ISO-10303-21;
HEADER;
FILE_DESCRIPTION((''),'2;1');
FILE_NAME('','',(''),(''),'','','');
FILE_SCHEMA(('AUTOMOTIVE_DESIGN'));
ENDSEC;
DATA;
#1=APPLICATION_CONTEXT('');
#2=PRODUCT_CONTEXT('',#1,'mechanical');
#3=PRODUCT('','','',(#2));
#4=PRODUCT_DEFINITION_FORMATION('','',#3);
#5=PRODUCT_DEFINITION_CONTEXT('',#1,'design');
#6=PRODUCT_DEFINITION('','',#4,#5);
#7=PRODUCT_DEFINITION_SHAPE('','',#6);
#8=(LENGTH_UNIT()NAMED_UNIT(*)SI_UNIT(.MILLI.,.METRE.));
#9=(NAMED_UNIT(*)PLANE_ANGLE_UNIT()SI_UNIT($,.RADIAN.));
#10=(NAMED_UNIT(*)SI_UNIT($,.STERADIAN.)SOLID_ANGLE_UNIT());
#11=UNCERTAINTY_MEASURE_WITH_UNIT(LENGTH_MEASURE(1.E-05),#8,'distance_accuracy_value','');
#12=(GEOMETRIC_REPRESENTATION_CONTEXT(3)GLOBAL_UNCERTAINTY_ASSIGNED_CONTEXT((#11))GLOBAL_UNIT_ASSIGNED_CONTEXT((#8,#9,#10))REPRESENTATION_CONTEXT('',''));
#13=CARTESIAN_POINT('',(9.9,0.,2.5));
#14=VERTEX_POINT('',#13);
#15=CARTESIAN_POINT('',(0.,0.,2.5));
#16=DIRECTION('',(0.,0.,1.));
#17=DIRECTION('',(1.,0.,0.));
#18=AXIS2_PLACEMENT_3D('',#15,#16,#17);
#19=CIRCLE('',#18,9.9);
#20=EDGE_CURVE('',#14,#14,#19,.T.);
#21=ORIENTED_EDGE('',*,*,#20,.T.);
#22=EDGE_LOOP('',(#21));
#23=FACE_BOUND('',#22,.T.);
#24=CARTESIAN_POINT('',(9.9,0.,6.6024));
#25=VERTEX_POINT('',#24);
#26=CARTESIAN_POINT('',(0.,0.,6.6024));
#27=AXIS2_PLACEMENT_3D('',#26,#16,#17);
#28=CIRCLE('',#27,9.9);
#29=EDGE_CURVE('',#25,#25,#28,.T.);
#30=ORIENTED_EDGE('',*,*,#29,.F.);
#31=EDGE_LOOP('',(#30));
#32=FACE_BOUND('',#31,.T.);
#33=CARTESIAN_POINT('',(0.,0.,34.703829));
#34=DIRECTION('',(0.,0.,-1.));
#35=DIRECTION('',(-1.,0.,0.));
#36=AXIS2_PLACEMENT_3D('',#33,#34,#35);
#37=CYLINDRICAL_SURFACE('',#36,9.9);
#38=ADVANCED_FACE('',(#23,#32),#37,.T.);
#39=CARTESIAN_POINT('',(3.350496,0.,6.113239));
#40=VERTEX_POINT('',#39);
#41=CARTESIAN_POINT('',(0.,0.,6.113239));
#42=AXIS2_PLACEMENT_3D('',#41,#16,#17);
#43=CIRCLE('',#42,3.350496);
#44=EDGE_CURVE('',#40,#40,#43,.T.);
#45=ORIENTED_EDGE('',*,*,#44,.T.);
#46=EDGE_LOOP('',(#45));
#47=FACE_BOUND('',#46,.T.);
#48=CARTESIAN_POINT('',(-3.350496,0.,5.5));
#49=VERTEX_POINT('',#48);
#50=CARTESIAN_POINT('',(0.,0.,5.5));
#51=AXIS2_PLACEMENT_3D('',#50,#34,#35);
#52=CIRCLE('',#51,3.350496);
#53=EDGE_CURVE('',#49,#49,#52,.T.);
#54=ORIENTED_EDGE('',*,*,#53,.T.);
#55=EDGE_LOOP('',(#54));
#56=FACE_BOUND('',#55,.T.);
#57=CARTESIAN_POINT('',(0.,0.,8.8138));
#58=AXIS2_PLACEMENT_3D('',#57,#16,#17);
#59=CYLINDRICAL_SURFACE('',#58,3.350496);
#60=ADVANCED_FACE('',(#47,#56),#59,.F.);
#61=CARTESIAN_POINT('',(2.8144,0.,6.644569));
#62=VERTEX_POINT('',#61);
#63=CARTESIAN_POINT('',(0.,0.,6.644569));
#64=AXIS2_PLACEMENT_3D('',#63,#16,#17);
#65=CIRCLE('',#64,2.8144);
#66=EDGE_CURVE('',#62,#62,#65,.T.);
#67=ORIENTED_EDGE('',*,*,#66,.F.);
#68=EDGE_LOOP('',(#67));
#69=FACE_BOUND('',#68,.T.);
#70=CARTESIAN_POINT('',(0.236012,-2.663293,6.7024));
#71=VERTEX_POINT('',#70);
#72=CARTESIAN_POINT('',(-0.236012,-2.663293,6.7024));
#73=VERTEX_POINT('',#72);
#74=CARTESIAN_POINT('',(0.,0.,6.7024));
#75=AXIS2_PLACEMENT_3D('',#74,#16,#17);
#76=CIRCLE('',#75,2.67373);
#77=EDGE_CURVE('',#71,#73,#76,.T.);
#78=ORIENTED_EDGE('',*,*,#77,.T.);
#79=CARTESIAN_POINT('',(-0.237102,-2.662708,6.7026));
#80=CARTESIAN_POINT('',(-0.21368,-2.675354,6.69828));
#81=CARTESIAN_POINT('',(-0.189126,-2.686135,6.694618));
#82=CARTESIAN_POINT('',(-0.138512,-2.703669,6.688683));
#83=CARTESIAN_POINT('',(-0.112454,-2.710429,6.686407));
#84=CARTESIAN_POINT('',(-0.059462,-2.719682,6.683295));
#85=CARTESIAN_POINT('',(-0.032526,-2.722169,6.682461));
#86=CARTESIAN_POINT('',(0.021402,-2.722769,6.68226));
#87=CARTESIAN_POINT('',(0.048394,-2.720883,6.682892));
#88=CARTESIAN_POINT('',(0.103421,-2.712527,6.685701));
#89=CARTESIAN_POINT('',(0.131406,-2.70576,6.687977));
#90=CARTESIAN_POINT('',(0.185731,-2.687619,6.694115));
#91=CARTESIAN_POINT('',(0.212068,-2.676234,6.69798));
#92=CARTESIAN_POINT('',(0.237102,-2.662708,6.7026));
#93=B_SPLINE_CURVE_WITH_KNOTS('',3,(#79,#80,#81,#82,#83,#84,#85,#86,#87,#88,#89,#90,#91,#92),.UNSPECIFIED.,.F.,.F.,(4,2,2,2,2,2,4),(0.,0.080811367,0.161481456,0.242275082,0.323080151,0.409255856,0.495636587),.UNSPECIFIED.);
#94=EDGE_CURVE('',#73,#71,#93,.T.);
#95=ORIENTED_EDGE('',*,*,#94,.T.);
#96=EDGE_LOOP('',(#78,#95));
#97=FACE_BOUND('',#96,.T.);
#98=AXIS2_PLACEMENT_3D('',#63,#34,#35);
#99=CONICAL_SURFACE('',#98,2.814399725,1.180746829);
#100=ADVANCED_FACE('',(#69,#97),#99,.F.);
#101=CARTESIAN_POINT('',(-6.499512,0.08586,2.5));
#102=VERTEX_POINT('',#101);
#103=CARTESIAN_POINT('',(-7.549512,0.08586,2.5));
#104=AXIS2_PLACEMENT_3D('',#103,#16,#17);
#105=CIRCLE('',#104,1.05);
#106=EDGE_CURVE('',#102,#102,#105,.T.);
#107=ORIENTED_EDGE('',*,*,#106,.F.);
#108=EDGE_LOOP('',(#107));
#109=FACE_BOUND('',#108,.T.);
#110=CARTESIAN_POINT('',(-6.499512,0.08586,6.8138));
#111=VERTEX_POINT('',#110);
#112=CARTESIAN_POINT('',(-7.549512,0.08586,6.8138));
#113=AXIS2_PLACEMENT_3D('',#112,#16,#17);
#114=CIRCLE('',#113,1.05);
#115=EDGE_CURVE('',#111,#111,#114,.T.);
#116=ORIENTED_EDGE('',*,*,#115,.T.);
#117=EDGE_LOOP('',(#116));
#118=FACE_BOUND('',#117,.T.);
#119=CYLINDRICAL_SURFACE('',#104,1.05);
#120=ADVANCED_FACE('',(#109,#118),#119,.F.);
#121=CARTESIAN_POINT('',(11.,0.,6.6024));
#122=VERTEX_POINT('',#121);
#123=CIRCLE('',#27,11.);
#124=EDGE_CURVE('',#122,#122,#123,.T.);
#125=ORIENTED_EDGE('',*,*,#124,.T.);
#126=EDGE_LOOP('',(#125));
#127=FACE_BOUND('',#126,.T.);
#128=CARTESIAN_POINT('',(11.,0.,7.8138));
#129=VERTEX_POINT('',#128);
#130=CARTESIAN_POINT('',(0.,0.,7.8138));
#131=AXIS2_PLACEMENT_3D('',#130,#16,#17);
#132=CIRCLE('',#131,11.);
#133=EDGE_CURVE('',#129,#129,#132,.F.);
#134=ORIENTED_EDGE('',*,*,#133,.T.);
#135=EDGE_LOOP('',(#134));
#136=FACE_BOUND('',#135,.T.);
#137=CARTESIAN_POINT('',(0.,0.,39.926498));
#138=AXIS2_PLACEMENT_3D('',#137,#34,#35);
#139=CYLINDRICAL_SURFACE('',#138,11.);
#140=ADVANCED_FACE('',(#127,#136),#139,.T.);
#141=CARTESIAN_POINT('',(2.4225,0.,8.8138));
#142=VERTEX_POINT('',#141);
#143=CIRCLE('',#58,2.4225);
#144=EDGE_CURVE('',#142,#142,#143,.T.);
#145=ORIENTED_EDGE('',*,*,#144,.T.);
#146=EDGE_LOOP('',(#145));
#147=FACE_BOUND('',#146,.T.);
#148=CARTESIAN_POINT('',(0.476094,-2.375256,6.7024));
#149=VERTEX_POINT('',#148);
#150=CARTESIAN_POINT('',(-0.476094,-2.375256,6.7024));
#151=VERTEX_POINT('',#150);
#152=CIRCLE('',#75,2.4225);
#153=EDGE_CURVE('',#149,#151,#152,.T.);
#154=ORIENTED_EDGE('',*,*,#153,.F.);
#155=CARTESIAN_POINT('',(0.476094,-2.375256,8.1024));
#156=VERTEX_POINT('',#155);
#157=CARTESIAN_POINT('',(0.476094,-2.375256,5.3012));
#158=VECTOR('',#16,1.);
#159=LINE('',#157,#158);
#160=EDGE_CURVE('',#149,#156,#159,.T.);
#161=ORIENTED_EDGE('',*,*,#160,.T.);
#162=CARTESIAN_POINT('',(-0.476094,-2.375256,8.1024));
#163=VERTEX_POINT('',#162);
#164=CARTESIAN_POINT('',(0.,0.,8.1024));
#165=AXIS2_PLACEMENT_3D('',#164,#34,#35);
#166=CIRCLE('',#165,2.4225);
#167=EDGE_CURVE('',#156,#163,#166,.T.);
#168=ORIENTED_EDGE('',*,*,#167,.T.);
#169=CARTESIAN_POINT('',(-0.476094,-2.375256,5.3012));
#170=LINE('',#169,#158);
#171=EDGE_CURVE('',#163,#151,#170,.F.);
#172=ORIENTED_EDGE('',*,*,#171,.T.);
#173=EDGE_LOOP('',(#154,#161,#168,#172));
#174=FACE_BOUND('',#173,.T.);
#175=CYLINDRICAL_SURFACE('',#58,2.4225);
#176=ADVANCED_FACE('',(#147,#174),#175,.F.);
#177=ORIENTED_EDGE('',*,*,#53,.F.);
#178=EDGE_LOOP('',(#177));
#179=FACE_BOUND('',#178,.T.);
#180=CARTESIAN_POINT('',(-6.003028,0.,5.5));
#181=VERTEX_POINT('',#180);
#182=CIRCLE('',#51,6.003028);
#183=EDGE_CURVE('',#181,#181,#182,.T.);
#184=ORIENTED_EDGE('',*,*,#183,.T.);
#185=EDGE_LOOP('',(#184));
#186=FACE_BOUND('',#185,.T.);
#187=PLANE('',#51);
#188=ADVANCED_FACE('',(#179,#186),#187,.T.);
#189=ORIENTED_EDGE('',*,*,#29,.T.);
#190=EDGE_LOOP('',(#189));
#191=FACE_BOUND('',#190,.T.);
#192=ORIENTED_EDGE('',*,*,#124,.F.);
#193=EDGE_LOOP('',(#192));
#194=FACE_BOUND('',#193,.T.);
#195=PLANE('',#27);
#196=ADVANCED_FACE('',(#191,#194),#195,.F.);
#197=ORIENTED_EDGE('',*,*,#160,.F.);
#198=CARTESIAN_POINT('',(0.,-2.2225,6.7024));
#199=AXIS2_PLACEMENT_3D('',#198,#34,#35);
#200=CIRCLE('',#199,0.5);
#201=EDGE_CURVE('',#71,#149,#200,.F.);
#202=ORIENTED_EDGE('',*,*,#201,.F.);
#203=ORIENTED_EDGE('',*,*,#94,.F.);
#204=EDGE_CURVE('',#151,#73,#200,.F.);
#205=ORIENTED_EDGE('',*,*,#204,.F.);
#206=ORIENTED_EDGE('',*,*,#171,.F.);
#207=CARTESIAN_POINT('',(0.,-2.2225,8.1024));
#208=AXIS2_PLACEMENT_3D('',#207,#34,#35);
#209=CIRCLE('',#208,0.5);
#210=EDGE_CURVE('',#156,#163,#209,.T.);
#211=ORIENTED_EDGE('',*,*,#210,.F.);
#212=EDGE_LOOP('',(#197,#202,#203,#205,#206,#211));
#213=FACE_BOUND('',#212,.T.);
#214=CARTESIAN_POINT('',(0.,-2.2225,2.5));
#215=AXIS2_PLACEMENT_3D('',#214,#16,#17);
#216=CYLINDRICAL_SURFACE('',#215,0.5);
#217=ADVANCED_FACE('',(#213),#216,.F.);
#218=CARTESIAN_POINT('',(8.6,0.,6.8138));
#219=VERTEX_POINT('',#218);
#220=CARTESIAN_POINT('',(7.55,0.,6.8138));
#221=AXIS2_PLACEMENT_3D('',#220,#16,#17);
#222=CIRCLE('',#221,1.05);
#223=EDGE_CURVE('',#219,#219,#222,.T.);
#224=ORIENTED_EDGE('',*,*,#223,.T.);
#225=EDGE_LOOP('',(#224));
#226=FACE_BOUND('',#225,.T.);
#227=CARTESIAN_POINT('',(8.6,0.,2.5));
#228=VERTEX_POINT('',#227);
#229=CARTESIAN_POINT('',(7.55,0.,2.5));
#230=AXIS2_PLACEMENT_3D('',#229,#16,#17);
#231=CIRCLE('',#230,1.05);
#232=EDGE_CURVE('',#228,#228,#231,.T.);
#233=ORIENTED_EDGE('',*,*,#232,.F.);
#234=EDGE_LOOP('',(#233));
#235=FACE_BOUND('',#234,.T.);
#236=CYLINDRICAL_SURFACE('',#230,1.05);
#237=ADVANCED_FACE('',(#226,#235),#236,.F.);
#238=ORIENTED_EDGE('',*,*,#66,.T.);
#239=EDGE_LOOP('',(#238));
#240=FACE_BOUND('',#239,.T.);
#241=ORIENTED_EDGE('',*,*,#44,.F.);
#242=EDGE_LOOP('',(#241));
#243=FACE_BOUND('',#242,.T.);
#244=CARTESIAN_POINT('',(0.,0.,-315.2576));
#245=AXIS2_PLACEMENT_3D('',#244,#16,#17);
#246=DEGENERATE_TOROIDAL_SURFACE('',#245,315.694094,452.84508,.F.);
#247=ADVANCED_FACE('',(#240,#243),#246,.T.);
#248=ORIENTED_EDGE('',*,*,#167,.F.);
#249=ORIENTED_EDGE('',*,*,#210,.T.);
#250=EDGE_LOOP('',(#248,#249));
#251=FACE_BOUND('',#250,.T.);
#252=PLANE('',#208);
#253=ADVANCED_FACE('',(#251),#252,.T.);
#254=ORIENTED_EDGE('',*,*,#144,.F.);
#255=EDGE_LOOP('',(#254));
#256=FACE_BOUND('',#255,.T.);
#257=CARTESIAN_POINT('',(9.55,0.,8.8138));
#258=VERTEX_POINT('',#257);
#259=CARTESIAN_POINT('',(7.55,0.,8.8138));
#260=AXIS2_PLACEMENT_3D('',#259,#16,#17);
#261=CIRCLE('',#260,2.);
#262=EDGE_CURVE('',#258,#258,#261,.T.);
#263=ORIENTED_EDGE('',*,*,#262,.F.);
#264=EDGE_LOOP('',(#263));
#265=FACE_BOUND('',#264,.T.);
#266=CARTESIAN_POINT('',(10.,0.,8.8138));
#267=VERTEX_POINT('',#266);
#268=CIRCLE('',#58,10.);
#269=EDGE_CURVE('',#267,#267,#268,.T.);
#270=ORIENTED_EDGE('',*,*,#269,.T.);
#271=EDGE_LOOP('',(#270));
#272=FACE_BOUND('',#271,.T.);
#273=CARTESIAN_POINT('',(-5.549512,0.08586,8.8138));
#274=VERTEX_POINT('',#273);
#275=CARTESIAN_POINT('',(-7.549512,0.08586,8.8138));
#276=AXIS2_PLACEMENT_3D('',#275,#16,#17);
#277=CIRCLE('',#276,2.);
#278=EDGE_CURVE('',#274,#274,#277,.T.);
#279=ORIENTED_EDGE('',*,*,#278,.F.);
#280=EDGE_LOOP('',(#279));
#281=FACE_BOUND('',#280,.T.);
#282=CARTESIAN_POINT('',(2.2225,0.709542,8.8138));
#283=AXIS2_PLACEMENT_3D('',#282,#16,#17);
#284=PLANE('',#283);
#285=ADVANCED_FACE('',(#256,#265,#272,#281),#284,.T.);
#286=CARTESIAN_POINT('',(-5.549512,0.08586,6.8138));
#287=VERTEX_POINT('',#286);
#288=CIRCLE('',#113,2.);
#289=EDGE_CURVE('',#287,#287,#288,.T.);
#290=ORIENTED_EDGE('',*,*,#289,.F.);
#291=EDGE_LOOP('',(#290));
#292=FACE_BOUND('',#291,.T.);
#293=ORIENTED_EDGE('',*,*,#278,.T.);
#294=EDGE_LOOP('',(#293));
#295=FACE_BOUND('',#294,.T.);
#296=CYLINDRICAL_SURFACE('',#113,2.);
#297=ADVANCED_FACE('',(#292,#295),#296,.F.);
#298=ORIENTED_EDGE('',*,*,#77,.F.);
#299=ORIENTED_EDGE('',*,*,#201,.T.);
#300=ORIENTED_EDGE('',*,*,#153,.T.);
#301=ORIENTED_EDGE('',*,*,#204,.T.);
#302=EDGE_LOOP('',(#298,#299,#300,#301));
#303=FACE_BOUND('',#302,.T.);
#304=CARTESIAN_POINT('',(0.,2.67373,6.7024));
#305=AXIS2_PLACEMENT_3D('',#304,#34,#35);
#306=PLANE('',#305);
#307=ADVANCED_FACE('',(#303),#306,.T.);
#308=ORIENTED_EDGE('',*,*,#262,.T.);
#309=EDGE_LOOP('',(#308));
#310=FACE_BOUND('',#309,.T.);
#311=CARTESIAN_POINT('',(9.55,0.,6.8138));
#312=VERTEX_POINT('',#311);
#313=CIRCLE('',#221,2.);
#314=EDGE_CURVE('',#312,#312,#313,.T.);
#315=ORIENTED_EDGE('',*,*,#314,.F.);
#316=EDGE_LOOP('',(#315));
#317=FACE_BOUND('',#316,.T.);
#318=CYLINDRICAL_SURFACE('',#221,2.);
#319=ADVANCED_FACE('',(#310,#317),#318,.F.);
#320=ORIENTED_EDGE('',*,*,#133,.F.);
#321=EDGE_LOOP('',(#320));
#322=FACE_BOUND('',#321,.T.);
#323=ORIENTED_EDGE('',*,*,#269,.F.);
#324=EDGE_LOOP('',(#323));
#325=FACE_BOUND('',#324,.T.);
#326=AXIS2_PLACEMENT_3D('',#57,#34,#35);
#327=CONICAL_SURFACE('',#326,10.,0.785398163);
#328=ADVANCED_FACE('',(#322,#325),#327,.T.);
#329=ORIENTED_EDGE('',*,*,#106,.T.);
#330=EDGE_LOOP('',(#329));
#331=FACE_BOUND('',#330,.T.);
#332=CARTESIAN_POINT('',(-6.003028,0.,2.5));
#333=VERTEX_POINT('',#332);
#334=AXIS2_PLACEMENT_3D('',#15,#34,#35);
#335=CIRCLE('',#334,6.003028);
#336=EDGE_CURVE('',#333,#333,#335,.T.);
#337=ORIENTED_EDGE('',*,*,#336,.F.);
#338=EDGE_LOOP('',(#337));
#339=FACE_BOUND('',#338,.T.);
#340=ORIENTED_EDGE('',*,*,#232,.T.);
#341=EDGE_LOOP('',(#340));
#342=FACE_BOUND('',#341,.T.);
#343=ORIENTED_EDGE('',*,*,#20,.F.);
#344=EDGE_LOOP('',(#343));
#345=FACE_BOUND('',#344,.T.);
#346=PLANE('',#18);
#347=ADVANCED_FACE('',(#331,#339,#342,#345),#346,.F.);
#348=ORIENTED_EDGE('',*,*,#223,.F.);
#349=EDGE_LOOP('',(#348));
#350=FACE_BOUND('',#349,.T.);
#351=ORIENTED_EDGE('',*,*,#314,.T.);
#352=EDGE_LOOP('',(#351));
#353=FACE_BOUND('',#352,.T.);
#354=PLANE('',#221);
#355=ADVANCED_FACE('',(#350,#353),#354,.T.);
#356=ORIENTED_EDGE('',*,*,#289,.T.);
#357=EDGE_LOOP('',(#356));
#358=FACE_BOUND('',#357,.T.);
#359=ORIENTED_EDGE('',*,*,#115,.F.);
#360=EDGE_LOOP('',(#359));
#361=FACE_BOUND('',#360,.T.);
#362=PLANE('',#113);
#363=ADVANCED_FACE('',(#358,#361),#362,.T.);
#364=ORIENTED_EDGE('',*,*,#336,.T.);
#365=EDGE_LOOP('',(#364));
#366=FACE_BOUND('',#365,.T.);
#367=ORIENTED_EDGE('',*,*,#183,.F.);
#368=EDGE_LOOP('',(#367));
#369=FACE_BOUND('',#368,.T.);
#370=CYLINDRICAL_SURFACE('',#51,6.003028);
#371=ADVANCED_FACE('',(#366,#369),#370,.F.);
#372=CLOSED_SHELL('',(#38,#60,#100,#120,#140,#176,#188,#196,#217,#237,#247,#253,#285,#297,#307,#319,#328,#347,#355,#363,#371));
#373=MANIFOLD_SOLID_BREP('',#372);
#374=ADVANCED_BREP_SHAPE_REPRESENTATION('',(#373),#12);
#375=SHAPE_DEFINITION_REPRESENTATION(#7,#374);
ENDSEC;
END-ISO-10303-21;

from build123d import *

# Parameters (mm, degrees)
SKETCH1_R               = 9.9
BOSS_EXTRUDE1_DEPTH     = 4.1024
SKETCH3_R               = 11
BOSS_EXTRUDE2_DEPTH     = 2.2114
CUT_EXTRUDE1_DEPTH      = 17.088184663
CUT_EXTRUDE1_DEPTH_BACK = 1.5
SKETCH6_R               = 0.5
CHAMFER1_SIZE           = 1
SKETCH7_R               = 2
CUT_EXTRUDE2_DEPTH      = 2
SKETCH8_R               = 1.05
CUT_EXTRUDE3_DEPTH      = 17.143384727
SKETCH9_R               = 6.003028119
CUT_EXTRUDE4_DEPTH      = 3


with BuildPart() as part:
    # Sketch1 → Boss-Extrude1 (new body)
    with BuildSketch(Plane.XY.offset(2.5)):
        with Locations(Location((0, 0, 0), (0, 0, 180))):
            Circle(SKETCH1_R)
    extrude(amount=BOSS_EXTRUDE1_DEPTH)

    # Sketch3 → Boss-Extrude2 (add)
    with BuildSketch(Plane.XY.offset(6.6024)):
        Circle(SKETCH3_R)
    extrude(amount=BOSS_EXTRUDE2_DEPTH)

    # Sketch4 → Cut-Revolve2 (revolve, cut)
    with BuildSketch(Plane(origin=(0, 0, 0), x_dir=(0, 0, -1), z_dir=(1, 0, 0)), mode=Mode.PRIVATE) as cut_revolve2_sk:
        with BuildLine():
            Line((-6.113239385, 3.350496042), (0, 3.350496042))
            Line((0, 3.350496042), (0, 0))
            Line((0, 0), (-8.8138, 0))
            Line((-8.8138, 0), (-8.8138, 2.4225))
            Line((-8.8138, 2.4225), (-6.7024, 2.4225))
            Line((-6.7024, 2.4225), (-6.7024, 2.673729766))
            Line((-6.7024, 2.673729766), (-6.644568783, 2.814399725))
            ThreePointArc((-6.644568783, 2.814399725), (-6.379015778, 3.082558584), (-6.113239385, 3.350496042))
        make_face()
    revolve(cut_revolve2_sk.sketch.rotate(Axis((0, 0, 8.8138), (0, 0, -1)), 90), axis=Axis((0, 0, 8.8138), (0, 0, -1)), mode=Mode.SUBTRACT)

    # Sketch6 → Cut-Extrude1 (cut, two sides: drawn at the far end of the back side and taken through both)
    with BuildSketch(Plane(origin=(0, 0, 6.6024), x_dir=(-1, 0, 0), z_dir=(0, 0, -1)).offset(-CUT_EXTRUDE1_DEPTH_BACK)):
        with Locations((1.2e-08, -2.2225)):
            Circle(SKETCH6_R)
    extrude(amount=CUT_EXTRUDE1_DEPTH + CUT_EXTRUDE1_DEPTH_BACK, mode=Mode.SUBTRACT)

    # Chamfer1
    chamfer1_edges = [part.edges().sort_by_distance(p)[0] for p in [
        (-11, 0, 8.8138),
    ]]
    chamfer(chamfer1_edges, length=CHAMFER1_SIZE)

    # Sketch7 → Cut-Extrude2 (cut)
    with BuildSketch(Plane.XY.offset(8.8138)):
        with Locations((-7.549511775, 0.085860102)):
            Circle(SKETCH7_R)
        with Locations((7.55, 0)):
            Circle(SKETCH7_R)
    extrude(amount=-CUT_EXTRUDE2_DEPTH, mode=Mode.SUBTRACT)

    # Sketch8 → Cut-Extrude3 (cut, through all)
    with BuildSketch(Plane.XY.offset(6.8138)):
        with Locations((-7.549511775, 0.085860102)):
            Circle(SKETCH8_R)
        with Locations((7.55, 0)):
            Circle(SKETCH8_R)
    extrude(amount=-CUT_EXTRUDE3_DEPTH, mode=Mode.SUBTRACT)

    # Sketch9 → Cut-Extrude4 (cut)
    with BuildSketch(Plane(origin=(0, 0, 2.5), x_dir=(-1, 0, 0), z_dir=(0, 0, -1))):
        Circle(SKETCH9_R)
    extrude(amount=-CUT_EXTRUDE4_DEPTH, mode=Mode.SUBTRACT)


solid = part.part
